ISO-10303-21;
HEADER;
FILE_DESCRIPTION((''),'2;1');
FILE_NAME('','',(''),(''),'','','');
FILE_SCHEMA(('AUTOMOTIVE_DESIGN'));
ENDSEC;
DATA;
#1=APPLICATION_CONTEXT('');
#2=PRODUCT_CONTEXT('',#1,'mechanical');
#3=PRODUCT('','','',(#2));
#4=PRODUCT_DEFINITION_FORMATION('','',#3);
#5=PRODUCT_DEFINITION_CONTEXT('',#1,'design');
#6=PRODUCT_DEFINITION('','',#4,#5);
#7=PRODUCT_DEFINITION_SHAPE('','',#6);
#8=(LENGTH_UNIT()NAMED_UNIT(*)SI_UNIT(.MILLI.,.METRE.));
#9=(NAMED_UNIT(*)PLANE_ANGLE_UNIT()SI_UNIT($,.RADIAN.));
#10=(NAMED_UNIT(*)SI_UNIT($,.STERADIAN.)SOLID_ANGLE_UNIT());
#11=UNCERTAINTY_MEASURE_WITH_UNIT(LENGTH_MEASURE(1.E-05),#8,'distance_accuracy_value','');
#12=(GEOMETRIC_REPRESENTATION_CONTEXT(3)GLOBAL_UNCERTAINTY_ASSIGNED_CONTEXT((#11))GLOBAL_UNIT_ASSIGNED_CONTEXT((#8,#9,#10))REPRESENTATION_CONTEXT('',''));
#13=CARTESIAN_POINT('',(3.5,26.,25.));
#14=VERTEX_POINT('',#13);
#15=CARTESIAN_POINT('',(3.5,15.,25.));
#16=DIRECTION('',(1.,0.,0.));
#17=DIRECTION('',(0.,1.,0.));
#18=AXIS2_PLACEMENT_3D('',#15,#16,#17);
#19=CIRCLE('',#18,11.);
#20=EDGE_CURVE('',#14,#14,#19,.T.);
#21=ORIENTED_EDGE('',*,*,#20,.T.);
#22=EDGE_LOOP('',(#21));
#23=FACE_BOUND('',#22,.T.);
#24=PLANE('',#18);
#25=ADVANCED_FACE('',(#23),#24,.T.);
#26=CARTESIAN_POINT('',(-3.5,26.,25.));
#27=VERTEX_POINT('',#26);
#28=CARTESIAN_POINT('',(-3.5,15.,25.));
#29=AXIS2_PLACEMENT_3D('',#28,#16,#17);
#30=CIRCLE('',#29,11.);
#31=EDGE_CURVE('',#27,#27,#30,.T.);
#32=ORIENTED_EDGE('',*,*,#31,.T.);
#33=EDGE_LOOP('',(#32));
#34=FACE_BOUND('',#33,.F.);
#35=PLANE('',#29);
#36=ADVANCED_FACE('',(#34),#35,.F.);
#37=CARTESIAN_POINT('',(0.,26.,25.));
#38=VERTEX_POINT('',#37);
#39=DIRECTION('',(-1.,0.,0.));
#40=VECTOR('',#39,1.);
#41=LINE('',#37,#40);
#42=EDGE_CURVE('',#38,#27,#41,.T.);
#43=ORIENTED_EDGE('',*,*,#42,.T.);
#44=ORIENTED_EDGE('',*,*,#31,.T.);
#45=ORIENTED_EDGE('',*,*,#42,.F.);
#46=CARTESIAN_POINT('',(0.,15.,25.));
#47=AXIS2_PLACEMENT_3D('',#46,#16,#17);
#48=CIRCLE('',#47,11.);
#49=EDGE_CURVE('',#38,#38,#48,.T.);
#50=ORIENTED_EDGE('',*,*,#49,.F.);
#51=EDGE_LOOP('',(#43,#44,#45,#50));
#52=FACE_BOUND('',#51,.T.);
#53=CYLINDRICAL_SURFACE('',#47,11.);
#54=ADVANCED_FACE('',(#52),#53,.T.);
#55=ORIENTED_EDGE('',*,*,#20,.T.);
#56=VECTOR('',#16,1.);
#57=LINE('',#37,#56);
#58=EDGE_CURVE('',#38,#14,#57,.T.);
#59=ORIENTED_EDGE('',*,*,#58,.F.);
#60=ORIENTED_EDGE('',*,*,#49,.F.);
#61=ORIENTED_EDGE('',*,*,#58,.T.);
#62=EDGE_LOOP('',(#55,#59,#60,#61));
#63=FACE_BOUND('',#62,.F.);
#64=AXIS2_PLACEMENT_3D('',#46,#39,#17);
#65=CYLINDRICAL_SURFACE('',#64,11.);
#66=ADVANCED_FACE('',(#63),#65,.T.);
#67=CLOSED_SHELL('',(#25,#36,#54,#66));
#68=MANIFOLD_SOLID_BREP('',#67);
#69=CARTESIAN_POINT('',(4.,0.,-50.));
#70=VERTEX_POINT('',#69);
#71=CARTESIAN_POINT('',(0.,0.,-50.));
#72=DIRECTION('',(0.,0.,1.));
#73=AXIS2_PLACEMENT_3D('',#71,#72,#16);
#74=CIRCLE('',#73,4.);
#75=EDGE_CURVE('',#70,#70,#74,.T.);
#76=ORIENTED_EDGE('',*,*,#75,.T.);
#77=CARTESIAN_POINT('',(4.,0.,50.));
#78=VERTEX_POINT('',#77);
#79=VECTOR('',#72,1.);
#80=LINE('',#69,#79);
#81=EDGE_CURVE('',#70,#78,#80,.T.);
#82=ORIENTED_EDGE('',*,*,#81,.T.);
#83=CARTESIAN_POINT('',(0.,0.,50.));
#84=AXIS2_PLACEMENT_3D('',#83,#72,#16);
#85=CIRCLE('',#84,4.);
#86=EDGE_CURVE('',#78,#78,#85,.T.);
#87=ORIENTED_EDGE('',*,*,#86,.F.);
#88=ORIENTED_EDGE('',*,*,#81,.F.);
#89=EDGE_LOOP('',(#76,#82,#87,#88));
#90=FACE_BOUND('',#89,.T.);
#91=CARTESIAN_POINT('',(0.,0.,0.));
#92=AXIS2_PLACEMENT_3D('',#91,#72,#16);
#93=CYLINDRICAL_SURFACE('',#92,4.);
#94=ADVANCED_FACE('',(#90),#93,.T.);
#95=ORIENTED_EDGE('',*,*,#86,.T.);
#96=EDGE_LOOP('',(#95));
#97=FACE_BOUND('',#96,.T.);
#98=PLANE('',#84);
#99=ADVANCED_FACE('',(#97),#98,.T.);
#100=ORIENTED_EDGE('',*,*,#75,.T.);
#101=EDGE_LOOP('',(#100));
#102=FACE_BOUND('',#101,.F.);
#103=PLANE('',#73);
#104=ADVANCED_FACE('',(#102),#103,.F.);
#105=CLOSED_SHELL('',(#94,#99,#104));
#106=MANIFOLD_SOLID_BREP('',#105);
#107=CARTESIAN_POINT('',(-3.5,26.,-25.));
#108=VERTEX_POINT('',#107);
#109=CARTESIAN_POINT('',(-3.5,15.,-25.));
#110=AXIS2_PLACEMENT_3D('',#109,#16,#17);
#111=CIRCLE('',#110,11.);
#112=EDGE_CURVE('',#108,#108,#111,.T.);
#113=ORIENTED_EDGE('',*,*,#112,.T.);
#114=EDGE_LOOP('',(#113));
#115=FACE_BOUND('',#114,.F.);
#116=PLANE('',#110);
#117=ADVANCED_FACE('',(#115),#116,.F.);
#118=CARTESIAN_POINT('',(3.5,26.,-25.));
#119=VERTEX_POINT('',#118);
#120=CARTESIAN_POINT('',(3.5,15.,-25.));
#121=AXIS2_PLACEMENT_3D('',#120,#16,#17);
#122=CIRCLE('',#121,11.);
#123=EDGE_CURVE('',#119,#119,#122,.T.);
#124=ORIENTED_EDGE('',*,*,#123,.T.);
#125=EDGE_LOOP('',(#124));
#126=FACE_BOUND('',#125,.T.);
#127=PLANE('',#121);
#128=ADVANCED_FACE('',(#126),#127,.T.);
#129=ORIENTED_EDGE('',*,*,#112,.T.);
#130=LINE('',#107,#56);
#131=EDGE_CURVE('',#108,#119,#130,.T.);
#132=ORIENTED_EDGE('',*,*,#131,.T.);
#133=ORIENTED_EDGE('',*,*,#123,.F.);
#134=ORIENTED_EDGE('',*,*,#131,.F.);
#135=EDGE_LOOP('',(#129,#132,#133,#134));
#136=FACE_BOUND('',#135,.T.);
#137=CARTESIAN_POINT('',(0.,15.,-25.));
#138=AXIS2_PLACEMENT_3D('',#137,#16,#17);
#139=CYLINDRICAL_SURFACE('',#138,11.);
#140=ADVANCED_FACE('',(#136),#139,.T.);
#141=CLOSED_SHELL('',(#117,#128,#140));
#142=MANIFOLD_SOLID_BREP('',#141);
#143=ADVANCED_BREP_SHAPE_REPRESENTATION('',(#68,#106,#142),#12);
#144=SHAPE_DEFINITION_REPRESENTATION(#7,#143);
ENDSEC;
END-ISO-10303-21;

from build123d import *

# Parameters (mm, degrees)
F0_R     = 4
F1_DEPTH = 50
F3_R     = 11
F4_DEPTH = 3.5


with BuildPart() as f1:
    # F0 (on Top) → F1 (new body, symmetric)
    with BuildSketch(Plane.XY):
        Circle(F0_R)
    extrude(amount=F1_DEPTH, both=True)


with BuildPart() as f4:
    # F3 (on Right) → F4 (new body, symmetric)
    with BuildSketch(Plane.YZ):
        with Locations((15, 25)):
            Circle(F3_R)
        with Locations((15, -25)):
            Circle(F3_R)
    extrude(amount=F4_DEPTH, both=True)


solid = Compound([f1.part, f4.part])
